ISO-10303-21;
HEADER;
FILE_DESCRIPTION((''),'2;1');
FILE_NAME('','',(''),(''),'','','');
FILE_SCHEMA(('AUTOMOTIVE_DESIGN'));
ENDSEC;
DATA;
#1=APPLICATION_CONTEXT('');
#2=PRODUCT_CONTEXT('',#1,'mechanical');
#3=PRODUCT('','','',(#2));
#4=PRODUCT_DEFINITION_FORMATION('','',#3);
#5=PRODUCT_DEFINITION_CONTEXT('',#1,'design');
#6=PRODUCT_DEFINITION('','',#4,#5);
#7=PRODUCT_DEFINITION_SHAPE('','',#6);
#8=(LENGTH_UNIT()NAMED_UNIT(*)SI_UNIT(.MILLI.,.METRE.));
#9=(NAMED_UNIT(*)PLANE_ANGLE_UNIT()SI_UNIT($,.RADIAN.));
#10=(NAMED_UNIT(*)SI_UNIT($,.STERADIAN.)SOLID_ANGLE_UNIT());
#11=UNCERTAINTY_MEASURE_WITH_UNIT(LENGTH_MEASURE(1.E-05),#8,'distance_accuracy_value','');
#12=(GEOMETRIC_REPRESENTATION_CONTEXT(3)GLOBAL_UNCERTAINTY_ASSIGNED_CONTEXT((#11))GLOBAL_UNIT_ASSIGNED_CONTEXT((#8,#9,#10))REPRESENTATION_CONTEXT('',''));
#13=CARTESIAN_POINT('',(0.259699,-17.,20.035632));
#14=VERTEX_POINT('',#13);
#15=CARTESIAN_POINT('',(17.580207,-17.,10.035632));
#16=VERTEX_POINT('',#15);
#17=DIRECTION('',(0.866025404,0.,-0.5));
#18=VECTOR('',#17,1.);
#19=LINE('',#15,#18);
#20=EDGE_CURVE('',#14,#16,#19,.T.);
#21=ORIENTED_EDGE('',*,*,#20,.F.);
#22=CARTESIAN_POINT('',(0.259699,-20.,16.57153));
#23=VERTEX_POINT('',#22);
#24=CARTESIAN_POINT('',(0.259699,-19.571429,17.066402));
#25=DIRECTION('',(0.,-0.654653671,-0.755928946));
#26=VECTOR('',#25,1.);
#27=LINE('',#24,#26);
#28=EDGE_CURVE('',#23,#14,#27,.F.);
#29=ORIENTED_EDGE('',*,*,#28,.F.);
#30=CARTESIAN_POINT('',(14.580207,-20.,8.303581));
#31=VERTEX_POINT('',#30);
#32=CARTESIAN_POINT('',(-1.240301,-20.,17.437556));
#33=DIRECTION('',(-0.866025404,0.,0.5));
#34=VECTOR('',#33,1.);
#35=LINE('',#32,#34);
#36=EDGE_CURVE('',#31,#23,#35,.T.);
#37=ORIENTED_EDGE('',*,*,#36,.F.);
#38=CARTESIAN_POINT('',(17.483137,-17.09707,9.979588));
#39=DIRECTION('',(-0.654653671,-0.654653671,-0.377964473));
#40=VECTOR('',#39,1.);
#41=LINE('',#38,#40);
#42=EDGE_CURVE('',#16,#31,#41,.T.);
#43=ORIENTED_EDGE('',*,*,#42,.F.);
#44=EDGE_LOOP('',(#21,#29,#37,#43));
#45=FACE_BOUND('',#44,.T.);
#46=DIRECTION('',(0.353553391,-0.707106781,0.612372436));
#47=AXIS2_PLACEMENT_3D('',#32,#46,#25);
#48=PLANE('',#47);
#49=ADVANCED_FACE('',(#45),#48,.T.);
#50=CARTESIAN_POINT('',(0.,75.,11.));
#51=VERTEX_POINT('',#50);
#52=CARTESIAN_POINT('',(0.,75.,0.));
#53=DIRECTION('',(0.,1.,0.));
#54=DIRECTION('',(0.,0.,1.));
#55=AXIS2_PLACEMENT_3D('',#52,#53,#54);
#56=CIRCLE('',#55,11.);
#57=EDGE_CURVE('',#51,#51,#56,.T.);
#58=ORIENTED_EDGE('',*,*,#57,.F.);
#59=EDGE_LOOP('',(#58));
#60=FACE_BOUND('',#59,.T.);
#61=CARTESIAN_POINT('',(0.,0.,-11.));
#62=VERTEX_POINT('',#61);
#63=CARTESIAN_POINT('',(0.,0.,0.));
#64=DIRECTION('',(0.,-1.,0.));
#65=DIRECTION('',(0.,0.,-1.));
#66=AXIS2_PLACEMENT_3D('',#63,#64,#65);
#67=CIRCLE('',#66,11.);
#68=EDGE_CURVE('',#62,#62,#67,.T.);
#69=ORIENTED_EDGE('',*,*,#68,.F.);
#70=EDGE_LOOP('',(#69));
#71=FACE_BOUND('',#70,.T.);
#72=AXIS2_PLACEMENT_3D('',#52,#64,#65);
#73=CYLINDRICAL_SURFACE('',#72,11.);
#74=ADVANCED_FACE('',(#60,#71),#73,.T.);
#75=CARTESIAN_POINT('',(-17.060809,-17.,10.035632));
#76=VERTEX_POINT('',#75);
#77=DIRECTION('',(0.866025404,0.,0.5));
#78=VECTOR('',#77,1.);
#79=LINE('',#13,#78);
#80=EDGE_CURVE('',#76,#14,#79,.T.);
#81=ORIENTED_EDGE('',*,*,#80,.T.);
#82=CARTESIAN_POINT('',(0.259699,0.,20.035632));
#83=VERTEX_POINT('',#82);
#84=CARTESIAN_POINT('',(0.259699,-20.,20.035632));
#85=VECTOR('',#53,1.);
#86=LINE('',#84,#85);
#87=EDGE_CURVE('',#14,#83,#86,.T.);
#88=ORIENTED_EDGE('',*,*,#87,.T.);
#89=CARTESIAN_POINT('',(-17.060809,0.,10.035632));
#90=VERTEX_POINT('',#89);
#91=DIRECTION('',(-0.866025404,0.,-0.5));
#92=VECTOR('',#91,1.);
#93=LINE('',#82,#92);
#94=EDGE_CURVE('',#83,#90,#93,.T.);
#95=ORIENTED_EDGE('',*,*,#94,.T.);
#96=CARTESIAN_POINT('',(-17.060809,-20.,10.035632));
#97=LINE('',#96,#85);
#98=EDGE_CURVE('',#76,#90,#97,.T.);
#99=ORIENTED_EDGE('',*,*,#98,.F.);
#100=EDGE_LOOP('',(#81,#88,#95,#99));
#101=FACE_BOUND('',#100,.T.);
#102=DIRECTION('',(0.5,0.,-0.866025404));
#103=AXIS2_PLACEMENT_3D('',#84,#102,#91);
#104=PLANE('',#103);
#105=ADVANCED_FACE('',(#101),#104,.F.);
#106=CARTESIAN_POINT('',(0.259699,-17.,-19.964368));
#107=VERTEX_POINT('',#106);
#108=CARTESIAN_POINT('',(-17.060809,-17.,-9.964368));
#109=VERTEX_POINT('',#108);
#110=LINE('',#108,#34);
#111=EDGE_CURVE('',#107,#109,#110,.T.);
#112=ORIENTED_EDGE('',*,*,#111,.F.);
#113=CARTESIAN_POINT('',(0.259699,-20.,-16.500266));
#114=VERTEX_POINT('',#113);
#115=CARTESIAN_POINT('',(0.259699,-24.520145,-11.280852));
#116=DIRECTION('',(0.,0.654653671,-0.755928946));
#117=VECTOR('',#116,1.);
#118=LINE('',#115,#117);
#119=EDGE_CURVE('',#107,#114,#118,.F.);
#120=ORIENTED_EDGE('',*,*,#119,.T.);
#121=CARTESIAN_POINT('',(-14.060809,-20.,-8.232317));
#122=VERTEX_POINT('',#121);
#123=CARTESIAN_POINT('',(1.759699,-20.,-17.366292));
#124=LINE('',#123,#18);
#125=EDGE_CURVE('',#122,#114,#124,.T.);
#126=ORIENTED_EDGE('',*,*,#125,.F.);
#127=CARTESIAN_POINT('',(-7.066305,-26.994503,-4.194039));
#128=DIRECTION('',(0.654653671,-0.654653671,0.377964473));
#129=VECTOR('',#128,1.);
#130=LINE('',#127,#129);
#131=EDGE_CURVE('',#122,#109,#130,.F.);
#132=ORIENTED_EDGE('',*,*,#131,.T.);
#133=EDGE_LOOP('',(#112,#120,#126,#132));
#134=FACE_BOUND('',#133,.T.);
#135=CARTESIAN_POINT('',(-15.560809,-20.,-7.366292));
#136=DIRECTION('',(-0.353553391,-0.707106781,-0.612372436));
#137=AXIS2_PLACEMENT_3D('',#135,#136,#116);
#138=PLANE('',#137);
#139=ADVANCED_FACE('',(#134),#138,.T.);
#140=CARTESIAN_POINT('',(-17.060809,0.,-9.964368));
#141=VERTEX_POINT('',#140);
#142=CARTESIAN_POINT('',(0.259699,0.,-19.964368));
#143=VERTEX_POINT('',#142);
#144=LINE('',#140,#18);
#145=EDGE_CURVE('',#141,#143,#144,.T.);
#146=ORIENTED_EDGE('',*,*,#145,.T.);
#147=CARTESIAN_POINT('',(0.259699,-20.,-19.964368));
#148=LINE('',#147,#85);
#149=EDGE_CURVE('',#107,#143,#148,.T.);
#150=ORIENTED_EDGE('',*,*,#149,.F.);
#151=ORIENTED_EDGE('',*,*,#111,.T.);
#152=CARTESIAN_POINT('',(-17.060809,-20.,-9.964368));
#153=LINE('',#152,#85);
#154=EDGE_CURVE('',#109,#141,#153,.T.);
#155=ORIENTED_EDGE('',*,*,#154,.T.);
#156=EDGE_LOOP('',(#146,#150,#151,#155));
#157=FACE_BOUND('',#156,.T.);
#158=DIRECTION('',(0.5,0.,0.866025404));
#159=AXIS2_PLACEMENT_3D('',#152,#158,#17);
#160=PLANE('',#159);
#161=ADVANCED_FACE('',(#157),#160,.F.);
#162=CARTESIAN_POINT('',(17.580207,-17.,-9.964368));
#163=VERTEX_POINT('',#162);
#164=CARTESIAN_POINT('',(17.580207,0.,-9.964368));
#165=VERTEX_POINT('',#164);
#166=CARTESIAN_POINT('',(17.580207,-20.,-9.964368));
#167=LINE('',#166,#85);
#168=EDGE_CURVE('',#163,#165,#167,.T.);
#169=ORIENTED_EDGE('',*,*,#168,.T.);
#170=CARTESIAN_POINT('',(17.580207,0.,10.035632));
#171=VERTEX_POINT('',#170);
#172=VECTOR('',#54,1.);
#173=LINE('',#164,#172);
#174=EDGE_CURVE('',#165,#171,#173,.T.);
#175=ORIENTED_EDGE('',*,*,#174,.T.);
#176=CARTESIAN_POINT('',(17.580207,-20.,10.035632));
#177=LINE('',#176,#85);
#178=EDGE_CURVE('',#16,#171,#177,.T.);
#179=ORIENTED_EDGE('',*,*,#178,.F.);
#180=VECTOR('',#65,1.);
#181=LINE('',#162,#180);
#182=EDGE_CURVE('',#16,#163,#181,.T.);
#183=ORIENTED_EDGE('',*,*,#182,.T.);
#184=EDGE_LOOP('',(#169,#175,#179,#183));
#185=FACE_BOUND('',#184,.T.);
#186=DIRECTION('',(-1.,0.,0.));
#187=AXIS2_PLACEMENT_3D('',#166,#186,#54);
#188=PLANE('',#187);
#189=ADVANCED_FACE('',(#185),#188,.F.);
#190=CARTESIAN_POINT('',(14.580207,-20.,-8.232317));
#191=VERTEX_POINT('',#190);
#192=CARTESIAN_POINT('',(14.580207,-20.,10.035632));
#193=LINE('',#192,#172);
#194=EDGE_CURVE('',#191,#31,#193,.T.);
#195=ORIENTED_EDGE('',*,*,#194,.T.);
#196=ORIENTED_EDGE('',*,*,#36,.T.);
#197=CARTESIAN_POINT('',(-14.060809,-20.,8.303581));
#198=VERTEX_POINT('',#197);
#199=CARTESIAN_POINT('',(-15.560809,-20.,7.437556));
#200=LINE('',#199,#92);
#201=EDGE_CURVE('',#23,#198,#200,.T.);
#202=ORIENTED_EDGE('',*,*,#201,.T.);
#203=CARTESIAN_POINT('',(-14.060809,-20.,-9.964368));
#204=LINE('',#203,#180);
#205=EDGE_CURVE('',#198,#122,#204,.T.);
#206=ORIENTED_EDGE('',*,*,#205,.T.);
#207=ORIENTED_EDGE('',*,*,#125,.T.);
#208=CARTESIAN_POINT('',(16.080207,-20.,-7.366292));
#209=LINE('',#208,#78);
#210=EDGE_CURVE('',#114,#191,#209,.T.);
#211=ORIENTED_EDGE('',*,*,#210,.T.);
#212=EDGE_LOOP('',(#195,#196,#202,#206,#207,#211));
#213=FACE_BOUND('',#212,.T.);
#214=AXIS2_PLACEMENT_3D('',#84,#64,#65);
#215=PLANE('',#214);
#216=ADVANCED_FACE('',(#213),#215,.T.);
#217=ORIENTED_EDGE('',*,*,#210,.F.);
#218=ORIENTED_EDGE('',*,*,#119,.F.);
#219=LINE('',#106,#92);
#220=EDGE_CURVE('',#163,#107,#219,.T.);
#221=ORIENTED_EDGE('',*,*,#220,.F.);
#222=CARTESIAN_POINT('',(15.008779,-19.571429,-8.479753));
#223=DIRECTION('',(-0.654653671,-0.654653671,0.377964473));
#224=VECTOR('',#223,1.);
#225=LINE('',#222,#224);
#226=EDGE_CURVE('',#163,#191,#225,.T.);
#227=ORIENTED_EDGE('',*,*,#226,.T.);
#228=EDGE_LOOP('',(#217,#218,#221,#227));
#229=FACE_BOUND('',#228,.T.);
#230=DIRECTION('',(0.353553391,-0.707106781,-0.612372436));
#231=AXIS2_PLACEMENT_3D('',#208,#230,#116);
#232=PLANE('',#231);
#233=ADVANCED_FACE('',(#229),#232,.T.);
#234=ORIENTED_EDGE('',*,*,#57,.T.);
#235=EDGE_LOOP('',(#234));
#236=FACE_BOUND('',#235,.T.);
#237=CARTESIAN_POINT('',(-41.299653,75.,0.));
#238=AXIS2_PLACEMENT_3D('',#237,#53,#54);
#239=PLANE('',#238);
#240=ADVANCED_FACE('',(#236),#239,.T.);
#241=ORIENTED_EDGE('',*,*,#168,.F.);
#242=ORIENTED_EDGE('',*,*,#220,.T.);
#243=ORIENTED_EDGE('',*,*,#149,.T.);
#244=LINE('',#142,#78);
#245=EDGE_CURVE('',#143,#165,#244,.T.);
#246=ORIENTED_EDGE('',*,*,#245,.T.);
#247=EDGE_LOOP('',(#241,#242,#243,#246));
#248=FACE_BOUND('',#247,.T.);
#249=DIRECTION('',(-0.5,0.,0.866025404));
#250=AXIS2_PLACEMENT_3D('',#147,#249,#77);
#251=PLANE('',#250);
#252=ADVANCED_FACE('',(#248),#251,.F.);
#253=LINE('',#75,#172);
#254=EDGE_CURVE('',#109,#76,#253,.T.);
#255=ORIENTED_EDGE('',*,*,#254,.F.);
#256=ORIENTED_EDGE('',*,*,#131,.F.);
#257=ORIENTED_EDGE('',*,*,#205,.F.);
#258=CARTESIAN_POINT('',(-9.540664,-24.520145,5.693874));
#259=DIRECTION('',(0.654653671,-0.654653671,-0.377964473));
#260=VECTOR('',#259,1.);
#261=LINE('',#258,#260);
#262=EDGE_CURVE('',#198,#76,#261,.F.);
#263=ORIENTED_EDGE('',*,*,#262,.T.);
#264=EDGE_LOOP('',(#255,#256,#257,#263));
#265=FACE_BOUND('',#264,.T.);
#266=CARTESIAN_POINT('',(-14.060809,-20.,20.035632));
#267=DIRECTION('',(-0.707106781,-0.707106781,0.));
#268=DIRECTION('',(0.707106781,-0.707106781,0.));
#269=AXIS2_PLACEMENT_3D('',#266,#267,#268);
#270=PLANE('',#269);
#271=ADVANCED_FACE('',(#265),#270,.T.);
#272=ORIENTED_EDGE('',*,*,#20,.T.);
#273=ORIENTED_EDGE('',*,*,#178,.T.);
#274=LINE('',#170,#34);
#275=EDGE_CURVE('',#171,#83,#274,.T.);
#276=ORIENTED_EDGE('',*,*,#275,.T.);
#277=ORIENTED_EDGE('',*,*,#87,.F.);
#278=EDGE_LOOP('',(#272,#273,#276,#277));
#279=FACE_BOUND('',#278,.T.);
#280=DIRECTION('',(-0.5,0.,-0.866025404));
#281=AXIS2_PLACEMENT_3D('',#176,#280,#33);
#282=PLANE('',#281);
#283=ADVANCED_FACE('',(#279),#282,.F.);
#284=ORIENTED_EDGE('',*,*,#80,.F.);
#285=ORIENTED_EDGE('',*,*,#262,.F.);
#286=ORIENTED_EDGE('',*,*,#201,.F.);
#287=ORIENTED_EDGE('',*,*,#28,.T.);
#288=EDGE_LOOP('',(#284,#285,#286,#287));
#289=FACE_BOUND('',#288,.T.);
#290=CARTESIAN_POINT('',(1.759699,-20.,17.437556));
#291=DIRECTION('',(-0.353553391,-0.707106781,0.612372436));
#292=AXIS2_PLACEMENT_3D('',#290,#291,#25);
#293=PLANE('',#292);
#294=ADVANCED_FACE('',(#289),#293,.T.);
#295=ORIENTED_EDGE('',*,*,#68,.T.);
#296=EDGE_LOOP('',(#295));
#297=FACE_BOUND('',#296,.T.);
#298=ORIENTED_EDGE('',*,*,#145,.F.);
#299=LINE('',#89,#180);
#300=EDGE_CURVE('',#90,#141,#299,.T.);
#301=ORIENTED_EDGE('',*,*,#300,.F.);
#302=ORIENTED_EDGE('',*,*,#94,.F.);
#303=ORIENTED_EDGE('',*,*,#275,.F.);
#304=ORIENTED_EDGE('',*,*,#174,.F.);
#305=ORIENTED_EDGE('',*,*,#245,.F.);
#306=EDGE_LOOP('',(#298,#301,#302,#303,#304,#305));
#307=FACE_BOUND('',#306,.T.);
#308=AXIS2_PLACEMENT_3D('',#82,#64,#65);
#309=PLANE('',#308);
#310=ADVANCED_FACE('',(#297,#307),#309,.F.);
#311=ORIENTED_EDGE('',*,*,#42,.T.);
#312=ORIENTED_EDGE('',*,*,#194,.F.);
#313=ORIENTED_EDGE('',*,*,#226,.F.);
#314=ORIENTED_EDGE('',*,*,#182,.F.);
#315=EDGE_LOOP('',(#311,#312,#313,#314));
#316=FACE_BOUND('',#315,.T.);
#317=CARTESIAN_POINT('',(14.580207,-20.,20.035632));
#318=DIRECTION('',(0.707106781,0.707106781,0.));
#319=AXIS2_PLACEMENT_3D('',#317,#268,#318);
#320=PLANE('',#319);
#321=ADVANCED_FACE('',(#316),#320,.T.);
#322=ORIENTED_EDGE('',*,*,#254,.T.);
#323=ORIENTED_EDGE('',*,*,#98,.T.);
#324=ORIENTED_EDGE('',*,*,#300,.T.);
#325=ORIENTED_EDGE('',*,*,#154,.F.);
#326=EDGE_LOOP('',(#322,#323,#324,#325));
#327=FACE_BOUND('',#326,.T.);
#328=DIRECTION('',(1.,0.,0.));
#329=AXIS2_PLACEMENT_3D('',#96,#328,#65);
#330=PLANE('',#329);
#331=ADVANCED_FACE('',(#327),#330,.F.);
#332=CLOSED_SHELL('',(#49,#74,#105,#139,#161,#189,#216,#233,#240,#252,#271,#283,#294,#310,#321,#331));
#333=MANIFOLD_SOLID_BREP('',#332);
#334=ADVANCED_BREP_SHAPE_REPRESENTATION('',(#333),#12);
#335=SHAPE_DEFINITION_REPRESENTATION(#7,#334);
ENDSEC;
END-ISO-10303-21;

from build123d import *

# Parameters (mm, degrees)
SKETCH_1_R      = 11
EXTRUDE_4_DEPTH = 75
EXTRUDE_5_DEPTH = 20
CHAMFER_2_SIZE  = 3


with BuildPart() as part:
    # Эскиз1 → Бобышка-Вытянуть4 (new body)
    with BuildSketch(Plane(origin=(0, 0, 0), x_dir=(1, 0, 0), z_dir=(0, 1, 0))):
        Circle(SKETCH_1_R)
    extrude(amount=EXTRUDE_4_DEPTH)

    # Эскиз3 → Бобышка-Вытянуть5 (add)
    with BuildSketch(Plane.XZ):
        Polygon((0.259699185, 20.035631897), (-17.060808891, 10.035631897), (-17.060808891, -9.964368103), (0.259699185, -19.964368103), (17.58020726, -9.964368103), (17.58020726, 10.035631897), align=None)
    extrude(amount=EXTRUDE_5_DEPTH)

    # Фаска2
    chamfer_2_edges = [part.edges().sort_by_distance(p)[0] for p in [
        (8.919953222, -20, 15.035631897),
        (-8.400554853, -20, 15.035631897),
        (-17.060808891, -20, 0.035631897),
        (-8.400554853, -20, -14.964368103),
        (8.919953222, -20, -14.964368103),
        (17.58020726, -20, 0.035631897),
    ]]
    chamfer(chamfer_2_edges, length=CHAMFER_2_SIZE)


solid = part.part
